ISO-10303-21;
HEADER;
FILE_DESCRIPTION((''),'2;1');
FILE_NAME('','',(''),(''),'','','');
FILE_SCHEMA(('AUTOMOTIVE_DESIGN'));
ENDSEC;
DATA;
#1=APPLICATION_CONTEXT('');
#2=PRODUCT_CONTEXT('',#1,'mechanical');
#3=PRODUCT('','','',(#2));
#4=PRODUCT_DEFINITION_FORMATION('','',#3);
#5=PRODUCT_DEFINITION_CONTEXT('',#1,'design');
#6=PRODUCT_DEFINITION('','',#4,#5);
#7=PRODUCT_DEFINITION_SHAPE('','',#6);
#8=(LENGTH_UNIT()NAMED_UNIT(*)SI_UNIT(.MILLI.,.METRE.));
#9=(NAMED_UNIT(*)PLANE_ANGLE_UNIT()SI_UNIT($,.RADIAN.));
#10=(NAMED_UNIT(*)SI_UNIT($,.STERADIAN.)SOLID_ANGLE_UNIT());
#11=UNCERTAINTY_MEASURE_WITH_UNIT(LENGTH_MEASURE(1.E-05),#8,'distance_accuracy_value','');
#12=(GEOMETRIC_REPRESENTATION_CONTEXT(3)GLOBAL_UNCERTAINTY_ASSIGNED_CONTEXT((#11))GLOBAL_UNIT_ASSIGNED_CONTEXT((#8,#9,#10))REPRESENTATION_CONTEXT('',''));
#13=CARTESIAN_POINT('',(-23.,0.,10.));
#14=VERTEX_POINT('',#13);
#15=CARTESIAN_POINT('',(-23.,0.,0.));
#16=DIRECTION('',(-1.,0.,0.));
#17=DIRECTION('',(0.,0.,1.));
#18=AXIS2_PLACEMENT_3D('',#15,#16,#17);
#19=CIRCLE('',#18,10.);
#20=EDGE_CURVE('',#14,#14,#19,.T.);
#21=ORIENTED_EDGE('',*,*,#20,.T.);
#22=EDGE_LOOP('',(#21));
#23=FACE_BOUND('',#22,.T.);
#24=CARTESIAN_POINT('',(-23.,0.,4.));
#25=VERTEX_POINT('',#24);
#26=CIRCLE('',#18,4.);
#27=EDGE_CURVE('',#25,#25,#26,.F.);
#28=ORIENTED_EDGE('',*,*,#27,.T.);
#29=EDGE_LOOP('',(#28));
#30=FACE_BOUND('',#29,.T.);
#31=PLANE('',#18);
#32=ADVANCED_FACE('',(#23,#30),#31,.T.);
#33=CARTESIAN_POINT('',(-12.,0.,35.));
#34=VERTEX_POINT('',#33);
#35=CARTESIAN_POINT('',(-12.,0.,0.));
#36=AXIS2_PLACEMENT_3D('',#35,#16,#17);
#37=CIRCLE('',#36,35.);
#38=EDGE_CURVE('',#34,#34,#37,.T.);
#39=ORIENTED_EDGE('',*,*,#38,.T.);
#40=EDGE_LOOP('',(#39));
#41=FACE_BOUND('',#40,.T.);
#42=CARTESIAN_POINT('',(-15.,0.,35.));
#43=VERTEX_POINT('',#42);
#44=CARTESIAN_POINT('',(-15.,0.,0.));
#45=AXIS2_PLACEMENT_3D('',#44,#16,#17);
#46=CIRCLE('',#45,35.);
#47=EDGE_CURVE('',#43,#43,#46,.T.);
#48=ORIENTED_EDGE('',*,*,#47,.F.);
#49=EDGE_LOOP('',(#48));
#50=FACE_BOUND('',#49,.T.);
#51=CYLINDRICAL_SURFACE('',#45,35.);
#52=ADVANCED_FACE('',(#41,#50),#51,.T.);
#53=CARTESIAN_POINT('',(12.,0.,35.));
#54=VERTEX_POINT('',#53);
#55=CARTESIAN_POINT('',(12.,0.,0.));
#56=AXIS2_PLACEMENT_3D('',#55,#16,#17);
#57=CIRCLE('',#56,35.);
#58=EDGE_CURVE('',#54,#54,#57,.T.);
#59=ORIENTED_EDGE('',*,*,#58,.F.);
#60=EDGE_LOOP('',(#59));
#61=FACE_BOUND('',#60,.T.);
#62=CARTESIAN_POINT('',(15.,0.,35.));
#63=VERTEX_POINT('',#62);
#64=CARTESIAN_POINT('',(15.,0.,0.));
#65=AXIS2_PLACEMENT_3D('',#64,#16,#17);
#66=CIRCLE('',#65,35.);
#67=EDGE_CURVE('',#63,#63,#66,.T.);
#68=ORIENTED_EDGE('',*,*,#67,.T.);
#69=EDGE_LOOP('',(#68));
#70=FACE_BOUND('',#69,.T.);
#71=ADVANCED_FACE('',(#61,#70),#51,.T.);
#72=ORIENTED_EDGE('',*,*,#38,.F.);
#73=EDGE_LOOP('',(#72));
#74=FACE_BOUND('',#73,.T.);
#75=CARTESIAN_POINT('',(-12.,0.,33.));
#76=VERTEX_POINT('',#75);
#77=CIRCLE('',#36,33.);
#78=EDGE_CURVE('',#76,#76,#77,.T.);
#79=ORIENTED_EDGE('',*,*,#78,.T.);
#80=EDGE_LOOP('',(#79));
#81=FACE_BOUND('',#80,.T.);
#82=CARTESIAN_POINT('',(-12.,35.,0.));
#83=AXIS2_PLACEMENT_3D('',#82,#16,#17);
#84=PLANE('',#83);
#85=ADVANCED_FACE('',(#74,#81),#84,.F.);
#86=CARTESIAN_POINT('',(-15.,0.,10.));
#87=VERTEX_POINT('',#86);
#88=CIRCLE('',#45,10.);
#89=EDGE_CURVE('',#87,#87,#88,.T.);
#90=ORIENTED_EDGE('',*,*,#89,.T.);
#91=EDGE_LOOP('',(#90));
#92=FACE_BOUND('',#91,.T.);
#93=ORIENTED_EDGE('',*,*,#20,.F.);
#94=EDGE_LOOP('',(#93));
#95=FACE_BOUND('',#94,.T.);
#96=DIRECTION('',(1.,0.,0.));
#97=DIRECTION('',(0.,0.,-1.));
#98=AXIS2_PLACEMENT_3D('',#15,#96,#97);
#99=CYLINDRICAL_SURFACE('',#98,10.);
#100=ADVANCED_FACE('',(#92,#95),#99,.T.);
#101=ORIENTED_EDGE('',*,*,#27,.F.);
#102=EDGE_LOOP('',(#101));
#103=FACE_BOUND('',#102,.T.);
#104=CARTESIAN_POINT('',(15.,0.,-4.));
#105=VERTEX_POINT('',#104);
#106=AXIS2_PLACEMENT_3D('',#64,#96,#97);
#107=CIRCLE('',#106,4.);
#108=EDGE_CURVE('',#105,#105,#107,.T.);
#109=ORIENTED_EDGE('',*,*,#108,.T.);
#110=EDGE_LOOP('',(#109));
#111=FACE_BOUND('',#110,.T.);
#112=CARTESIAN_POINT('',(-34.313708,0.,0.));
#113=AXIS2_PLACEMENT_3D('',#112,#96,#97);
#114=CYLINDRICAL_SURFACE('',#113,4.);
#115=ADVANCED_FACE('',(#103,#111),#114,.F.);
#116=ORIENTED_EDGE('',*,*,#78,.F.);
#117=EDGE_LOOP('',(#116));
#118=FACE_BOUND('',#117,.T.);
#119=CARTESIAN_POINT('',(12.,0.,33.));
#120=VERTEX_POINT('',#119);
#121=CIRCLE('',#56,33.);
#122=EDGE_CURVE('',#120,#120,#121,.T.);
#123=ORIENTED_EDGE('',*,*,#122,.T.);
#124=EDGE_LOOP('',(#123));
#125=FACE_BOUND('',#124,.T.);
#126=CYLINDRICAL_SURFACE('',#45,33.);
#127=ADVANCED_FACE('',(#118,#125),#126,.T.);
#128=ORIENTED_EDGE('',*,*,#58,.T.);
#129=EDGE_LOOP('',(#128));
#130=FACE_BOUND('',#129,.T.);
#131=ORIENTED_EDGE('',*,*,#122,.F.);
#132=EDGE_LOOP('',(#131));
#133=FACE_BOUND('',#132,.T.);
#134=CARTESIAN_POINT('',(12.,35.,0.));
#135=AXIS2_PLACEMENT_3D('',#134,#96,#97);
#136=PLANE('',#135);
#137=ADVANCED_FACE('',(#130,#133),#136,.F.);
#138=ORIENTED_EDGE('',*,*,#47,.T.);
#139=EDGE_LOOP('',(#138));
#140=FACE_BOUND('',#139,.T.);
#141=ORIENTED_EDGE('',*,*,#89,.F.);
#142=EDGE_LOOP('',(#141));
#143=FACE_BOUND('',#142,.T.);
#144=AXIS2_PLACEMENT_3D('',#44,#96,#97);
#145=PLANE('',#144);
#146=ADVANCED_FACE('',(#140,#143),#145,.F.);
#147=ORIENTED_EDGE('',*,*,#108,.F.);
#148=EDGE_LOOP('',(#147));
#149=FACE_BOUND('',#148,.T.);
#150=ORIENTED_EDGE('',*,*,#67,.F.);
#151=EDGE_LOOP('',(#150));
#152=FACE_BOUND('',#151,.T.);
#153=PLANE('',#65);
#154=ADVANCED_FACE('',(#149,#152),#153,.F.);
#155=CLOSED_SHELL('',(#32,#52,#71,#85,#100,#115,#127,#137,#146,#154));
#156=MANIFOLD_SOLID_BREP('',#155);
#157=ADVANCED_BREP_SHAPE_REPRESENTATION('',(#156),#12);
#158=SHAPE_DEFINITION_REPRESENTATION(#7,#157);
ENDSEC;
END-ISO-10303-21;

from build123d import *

# Parameters (mm, degrees)
SKETCH4_R           = 10
BOSS_EXTRUDE2_DEPTH = 8
SKETCH6_R           = 4
CUT_EXTRUDE1_DEPTH  = 38


with BuildPart() as part:
    # Sketch1 → Revolve1 (revolve)
    with BuildSketch(Plane.XY):
        Polygon((12, 35), (15, 35), (15, 0), (-15, 0), (-15, 35), (-12, 35), (-12, 33), (12, 33), align=None)
    revolve(axis=Axis((-15, 0, 0), (1, 0, 0)))

    # Sketch4 → Boss-Extrude2 (add)
    with BuildSketch(Plane.ZY.offset(15)):
        Circle(SKETCH4_R)
    extrude(amount=BOSS_EXTRUDE2_DEPTH)

    # Sketch6 → Cut-Extrude1 (cut)
    with BuildSketch(Plane(origin=(15, 0, 0), x_dir=(0, 0, -1), z_dir=(1, 0, 0))):
        Circle(SKETCH6_R)
    extrude(amount=-CUT_EXTRUDE1_DEPTH, mode=Mode.SUBTRACT)


solid = part.part
